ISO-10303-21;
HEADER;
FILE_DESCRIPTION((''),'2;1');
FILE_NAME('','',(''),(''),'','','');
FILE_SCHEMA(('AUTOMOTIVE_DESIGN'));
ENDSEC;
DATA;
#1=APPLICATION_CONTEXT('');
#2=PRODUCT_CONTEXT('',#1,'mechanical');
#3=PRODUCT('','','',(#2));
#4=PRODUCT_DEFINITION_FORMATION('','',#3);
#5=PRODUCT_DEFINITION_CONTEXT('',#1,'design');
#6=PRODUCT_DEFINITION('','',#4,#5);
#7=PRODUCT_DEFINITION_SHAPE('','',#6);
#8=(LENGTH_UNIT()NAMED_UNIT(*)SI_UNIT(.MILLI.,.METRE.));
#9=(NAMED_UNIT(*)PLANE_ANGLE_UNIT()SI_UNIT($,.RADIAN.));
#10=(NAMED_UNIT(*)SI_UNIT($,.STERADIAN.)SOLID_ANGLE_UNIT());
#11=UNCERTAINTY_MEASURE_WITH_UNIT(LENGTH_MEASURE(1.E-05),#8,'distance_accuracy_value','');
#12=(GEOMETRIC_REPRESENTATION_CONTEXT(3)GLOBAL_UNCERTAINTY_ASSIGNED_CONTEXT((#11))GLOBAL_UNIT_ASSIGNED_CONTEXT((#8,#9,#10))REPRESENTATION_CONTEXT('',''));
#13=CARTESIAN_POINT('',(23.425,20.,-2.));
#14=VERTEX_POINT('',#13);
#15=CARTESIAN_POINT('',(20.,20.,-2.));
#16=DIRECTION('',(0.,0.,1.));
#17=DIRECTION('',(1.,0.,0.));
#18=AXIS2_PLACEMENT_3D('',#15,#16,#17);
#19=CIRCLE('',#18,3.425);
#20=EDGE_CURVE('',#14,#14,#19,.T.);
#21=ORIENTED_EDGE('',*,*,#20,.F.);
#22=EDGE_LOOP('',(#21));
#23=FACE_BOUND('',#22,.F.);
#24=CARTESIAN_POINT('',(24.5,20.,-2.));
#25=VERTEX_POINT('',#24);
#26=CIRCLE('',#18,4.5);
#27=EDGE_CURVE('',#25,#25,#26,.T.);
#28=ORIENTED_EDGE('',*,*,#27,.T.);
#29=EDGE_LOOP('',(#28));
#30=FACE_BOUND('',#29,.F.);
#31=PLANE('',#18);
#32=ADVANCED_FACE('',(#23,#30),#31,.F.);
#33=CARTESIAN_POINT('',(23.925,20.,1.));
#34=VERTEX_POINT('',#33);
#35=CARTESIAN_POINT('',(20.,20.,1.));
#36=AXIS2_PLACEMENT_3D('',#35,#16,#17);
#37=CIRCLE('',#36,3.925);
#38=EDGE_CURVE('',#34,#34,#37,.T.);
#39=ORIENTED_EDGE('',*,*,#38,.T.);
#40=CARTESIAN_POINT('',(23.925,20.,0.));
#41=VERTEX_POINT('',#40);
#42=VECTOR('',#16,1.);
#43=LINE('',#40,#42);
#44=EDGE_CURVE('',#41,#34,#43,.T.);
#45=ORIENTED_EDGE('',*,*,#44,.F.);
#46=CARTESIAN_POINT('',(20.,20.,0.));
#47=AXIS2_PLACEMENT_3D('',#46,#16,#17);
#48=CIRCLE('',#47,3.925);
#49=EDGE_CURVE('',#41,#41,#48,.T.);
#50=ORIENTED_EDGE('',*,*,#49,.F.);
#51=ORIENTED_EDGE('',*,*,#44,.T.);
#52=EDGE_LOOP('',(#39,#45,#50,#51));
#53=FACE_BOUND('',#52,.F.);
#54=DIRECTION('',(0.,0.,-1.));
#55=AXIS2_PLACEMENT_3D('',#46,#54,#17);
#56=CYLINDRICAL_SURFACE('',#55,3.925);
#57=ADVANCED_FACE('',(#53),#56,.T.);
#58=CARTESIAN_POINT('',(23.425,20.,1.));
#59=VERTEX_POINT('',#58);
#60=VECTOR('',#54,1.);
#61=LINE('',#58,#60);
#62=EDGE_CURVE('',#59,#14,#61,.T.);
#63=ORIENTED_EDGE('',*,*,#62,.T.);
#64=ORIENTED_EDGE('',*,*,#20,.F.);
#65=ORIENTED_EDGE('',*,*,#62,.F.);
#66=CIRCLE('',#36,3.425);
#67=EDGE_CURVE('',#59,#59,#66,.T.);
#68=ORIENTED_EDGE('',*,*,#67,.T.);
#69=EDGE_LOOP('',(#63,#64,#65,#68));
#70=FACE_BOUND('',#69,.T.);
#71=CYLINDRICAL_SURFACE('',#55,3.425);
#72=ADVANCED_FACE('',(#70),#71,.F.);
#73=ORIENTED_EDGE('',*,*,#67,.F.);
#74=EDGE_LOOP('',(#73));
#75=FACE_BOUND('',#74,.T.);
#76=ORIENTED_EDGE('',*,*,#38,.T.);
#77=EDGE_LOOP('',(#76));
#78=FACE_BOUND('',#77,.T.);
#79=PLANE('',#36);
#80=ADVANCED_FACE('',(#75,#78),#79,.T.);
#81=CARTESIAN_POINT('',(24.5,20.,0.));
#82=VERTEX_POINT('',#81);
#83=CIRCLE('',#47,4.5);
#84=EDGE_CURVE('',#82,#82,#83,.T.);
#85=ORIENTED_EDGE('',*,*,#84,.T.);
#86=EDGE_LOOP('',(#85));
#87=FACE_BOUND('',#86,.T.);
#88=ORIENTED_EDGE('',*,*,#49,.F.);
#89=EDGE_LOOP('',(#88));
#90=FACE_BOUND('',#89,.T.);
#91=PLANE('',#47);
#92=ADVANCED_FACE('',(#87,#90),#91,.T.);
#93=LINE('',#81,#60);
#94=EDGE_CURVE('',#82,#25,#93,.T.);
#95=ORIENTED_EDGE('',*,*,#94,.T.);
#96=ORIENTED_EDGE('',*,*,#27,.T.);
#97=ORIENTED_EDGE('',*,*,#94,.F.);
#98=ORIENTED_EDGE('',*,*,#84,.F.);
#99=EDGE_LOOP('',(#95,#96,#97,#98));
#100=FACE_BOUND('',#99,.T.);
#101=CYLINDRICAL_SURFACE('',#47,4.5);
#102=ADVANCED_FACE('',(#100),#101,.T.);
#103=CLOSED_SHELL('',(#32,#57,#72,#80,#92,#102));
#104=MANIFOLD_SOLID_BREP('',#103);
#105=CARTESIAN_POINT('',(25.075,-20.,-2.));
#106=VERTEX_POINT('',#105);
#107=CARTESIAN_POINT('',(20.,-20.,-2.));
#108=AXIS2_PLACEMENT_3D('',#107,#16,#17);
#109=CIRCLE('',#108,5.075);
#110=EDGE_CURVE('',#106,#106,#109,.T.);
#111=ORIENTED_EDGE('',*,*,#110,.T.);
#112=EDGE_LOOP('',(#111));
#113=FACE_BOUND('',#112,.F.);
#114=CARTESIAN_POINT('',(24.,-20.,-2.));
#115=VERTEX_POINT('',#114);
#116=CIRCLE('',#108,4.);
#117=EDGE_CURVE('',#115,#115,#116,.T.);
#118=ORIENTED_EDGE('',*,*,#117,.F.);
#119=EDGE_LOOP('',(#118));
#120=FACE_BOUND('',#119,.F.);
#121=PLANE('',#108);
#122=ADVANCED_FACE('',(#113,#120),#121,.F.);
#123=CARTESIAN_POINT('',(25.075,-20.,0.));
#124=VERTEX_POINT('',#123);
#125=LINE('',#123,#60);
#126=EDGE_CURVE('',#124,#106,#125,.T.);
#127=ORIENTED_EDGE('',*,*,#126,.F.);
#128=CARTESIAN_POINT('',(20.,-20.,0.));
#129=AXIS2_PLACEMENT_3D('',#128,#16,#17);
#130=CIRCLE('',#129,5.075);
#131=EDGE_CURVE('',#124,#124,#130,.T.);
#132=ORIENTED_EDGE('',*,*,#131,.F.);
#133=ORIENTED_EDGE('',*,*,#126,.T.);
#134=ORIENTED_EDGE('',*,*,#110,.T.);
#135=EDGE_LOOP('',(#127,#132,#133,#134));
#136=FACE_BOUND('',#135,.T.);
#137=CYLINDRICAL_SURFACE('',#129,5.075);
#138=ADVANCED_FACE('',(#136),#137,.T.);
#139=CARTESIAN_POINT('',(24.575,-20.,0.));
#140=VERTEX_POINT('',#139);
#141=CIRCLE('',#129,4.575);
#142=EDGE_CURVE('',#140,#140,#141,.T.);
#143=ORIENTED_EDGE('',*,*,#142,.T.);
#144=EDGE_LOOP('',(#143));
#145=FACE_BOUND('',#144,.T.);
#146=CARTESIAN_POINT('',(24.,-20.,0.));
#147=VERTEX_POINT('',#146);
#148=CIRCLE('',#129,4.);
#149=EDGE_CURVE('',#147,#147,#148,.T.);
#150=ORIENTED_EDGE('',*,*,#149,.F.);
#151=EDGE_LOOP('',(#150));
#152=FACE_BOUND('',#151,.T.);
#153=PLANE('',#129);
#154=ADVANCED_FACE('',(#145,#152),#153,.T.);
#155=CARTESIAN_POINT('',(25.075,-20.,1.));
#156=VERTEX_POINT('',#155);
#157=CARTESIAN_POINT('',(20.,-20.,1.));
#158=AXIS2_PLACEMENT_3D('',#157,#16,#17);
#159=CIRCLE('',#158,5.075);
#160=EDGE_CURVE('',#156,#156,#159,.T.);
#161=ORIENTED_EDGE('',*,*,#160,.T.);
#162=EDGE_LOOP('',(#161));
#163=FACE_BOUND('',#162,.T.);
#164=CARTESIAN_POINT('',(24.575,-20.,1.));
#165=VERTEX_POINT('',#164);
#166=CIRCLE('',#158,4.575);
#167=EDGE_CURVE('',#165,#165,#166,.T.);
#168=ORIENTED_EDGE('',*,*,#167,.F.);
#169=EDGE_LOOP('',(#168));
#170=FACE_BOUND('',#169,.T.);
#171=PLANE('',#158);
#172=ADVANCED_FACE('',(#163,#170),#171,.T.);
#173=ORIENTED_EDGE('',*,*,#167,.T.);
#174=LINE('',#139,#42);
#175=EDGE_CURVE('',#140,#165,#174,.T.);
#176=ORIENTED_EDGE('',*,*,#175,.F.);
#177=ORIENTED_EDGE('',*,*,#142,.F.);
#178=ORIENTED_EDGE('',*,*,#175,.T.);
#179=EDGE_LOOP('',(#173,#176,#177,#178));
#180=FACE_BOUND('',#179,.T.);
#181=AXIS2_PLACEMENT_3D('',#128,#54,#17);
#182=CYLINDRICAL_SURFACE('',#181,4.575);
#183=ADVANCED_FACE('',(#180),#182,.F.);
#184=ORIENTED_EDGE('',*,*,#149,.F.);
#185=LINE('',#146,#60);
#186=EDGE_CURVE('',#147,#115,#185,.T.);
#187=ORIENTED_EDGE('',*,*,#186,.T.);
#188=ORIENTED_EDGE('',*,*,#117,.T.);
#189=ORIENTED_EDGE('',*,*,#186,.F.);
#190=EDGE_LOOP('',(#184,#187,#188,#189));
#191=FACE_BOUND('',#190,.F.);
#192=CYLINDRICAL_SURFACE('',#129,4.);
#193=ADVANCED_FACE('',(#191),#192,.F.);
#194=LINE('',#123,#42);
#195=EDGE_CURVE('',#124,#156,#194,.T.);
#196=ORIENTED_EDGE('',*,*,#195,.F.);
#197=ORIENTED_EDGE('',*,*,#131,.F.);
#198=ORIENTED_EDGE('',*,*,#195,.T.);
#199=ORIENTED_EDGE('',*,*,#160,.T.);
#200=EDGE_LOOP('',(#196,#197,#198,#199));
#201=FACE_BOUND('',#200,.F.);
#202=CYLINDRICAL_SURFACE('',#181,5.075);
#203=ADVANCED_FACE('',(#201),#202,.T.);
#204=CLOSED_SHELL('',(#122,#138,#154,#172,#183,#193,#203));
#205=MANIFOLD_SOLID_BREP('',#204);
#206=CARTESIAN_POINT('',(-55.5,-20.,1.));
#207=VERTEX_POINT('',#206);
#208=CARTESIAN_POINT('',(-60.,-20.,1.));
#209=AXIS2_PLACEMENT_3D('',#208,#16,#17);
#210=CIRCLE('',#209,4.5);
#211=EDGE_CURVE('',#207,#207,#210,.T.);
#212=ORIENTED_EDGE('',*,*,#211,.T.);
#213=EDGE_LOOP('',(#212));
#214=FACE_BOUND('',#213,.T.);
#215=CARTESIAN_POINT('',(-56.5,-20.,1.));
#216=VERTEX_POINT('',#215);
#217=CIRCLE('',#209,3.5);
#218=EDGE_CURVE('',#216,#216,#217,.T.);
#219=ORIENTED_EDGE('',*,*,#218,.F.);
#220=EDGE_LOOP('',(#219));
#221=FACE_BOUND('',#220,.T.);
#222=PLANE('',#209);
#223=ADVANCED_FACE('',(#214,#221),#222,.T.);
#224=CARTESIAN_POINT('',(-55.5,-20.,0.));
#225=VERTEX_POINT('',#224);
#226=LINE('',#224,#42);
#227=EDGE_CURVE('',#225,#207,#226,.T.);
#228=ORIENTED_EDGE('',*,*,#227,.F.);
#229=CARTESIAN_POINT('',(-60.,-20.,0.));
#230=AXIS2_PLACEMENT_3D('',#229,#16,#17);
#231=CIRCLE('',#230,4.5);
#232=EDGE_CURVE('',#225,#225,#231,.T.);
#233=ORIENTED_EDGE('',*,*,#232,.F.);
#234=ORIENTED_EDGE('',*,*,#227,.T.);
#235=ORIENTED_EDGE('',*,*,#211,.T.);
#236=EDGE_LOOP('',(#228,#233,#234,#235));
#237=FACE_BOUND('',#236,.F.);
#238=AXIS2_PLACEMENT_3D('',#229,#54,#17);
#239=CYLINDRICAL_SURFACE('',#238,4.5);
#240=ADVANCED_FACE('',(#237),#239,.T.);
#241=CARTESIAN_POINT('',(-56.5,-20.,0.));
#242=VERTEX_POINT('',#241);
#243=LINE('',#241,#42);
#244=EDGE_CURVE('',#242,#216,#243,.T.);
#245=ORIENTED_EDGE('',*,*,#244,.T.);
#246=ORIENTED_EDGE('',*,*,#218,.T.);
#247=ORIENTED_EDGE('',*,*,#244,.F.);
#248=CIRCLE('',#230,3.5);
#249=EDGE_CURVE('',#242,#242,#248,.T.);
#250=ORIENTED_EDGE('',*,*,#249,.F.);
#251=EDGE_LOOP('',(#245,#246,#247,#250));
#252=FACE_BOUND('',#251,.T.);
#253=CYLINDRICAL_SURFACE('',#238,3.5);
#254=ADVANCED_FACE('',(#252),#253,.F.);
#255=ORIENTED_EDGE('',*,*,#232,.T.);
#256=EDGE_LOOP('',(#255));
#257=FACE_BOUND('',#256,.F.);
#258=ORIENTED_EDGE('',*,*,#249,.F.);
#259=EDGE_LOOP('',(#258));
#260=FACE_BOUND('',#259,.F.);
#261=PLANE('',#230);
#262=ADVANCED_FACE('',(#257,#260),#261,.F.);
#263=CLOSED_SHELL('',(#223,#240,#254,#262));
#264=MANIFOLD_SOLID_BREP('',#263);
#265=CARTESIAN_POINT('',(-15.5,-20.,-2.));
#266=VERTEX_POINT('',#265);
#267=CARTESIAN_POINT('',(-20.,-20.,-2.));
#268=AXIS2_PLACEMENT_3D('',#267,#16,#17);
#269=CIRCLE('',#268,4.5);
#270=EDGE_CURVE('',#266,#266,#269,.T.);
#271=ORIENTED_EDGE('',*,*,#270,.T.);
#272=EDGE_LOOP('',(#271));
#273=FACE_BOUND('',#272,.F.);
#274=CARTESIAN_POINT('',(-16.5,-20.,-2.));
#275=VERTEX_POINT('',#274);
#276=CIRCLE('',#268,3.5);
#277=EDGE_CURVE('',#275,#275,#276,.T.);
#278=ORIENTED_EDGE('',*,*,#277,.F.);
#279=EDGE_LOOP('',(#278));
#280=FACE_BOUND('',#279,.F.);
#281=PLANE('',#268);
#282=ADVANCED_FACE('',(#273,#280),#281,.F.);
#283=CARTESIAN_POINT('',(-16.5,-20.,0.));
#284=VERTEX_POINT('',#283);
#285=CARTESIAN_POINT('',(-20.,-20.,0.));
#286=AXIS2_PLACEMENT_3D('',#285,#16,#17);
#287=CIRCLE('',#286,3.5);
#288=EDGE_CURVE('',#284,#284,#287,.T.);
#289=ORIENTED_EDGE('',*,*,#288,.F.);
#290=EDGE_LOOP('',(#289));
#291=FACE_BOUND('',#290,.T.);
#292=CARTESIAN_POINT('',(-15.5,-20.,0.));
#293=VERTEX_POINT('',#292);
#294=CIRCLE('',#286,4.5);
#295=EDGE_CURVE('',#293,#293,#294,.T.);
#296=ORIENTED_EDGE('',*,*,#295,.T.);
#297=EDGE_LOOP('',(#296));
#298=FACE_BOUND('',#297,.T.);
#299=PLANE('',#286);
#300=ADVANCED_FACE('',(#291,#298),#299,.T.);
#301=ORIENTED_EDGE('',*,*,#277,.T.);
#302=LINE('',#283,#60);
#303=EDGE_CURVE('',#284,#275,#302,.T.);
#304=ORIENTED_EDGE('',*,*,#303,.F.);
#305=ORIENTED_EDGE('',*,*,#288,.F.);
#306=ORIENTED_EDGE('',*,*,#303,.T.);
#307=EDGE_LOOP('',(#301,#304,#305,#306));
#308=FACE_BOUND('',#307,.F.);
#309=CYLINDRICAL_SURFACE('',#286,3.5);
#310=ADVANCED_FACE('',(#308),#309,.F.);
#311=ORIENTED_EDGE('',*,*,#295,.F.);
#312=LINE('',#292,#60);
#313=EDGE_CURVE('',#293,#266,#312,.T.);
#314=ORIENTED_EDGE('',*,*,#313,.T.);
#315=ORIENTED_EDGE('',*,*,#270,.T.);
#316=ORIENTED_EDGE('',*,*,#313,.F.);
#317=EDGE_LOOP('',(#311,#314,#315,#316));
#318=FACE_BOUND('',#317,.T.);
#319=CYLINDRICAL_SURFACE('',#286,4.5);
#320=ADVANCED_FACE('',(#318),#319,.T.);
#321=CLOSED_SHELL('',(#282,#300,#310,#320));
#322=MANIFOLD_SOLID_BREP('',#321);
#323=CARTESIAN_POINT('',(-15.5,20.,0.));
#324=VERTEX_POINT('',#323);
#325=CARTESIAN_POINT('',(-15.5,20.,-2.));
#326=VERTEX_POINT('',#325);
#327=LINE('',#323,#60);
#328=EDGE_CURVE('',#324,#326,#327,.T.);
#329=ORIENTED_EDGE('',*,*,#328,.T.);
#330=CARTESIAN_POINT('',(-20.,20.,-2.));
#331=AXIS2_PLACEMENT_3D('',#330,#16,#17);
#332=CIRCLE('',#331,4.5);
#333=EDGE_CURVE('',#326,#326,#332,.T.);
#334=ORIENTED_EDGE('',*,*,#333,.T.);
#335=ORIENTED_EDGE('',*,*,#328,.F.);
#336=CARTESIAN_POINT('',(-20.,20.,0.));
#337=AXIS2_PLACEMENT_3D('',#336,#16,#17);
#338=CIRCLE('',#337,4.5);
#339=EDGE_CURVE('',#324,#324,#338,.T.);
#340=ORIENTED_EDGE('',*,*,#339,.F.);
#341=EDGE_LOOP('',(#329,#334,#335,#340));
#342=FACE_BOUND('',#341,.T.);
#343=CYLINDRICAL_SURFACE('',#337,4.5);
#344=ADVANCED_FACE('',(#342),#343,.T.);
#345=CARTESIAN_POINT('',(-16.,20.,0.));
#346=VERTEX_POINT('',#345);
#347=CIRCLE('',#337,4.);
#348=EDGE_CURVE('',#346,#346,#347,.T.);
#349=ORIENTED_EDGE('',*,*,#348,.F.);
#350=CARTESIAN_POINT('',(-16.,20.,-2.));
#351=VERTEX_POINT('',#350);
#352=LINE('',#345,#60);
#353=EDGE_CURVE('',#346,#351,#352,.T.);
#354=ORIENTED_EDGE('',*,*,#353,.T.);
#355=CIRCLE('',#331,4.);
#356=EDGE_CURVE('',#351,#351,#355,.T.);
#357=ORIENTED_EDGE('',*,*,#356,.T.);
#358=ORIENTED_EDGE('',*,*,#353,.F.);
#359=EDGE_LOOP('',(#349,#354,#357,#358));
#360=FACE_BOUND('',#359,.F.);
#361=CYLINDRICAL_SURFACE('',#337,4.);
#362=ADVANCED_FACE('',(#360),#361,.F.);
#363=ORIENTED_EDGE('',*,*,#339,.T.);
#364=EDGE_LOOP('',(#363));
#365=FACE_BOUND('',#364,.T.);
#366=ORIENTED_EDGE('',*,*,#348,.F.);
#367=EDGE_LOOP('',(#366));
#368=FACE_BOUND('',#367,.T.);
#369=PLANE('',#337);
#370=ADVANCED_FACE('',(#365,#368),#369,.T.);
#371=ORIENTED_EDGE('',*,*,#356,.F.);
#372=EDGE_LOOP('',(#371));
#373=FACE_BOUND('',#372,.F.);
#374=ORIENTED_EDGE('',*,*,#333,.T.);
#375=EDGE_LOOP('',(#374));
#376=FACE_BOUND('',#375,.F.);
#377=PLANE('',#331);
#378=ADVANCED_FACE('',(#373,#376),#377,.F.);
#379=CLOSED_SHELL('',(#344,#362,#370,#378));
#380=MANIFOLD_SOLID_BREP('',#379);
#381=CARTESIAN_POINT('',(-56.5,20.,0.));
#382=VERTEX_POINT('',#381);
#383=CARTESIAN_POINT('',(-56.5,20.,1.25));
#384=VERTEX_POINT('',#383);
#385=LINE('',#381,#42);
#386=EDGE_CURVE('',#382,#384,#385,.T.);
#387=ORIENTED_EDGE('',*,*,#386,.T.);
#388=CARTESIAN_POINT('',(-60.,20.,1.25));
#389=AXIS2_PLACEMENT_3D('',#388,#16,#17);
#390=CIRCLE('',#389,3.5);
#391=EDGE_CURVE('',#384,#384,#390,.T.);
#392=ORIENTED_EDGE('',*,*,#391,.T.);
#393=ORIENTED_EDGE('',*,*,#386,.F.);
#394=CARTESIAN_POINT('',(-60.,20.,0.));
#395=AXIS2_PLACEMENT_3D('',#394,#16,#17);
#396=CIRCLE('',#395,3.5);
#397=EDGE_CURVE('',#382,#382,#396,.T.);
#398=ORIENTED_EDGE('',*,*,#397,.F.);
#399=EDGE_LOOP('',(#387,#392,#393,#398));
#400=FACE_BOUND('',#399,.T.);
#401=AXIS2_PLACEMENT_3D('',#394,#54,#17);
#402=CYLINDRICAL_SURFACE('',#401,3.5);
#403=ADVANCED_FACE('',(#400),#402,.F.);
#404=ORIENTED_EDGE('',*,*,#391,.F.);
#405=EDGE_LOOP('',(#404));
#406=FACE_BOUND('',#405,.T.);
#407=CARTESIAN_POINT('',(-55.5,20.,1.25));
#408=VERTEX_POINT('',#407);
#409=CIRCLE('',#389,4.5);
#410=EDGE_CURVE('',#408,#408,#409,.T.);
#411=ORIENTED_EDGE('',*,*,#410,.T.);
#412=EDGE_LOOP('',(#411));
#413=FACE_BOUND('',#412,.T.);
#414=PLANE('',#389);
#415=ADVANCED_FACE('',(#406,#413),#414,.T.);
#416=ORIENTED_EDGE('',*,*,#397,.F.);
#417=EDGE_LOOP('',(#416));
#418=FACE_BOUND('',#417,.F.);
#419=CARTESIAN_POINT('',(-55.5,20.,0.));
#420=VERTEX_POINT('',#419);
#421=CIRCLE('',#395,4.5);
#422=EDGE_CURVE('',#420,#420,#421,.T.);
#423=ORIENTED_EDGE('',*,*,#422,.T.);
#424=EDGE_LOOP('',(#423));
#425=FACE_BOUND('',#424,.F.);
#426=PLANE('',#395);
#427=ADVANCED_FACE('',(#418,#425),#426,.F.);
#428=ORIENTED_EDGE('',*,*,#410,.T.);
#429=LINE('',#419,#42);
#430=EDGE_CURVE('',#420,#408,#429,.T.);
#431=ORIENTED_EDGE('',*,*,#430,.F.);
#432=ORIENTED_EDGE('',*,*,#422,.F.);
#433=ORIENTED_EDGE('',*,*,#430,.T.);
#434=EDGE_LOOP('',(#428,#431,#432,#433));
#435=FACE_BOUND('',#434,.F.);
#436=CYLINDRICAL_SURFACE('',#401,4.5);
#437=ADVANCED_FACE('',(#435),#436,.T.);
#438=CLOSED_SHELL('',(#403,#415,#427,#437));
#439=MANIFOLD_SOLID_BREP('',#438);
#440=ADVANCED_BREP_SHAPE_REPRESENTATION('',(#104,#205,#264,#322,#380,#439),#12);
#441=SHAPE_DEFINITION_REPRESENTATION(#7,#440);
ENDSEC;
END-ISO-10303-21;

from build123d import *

# Parameters (mm, degrees)
F0_R     = 4.5
F0_R_2   = 4
F1_DEPTH = 2
F0_R_3   = 3.5
F0_R_4   = 5.075
F0_R_5   = 4.575
F0_R_6   = 3.925
F0_R_7   = 3.425
F2_DEPTH = 1
F3_DEPTH = 1.25
F4_DEPTH = 1


with BuildPart() as f1:
    # F0 (on Top) → F1 (new body)
    with BuildSketch(Plane.XY):
        with Locations((-20, 20)):
            Circle(F0_R)
        with Locations((-20, 20)):
            Circle(F0_R_2, mode=Mode.SUBTRACT)
    extrude(amount=-F1_DEPTH)


with BuildPart() as f1b:
    # F0 (on Top) → F1, piece 2 (new body)
    with BuildSketch(Plane.XY):
        with Locations((-20, -20)):
            Circle(F0_R)
        with Locations((-20, -20)):
            Circle(F0_R_3, mode=Mode.SUBTRACT)
    extrude(amount=-F1_DEPTH)


with BuildPart() as f1c:
    # F0 (on Top) → F1, piece 3 (new body)
    with BuildSketch(Plane.XY):
        with Locations((20, -20)):
            Circle(F0_R_4)
        with Locations((20, -20)):
            Circle(F0_R_5, mode=Mode.SUBTRACT)
        with Locations((20, -20)):
            Circle(F0_R_5)
        with Locations((20, -20)):
            Circle(F0_R_2, mode=Mode.SUBTRACT)
    extrude(amount=-F1_DEPTH)

    # F0 (on Top) → F2, piece 2 (join)
    with BuildSketch(Plane.XY):
        with Locations((20, -20)):
            Circle(F0_R_4)
        with Locations((20, -20)):
            Circle(F0_R_5, mode=Mode.SUBTRACT)
    extrude(amount=F2_DEPTH)


with BuildPart() as f1d:
    # F0 (on Top) → F1, piece 4 (new body)
    with BuildSketch(Plane.XY):
        with Locations((20, 20)):
            Circle(F0_R)
        with Locations((20, 20)):
            Circle(F0_R_6, mode=Mode.SUBTRACT)
        with Locations((20, 20)):
            Circle(F0_R_6)
        with Locations((20, 20)):
            Circle(F0_R_7, mode=Mode.SUBTRACT)
    extrude(amount=-F1_DEPTH)

    # F0 (on Top) → F2 (join)
    with BuildSketch(Plane.XY):
        with Locations((20, 20)):
            Circle(F0_R_6)
        with Locations((20, 20)):
            Circle(F0_R_7, mode=Mode.SUBTRACT)
    extrude(amount=F2_DEPTH)


with BuildPart() as f3:
    # F0 (on Top) → F3 (new body)
    with BuildSketch(Plane.XY):
        with Locations((-60, 20)):
            Circle(F0_R)
        with Locations((-60, 20)):
            Circle(F0_R_3, mode=Mode.SUBTRACT)
    extrude(amount=F3_DEPTH)


with BuildPart() as f4:
    # F0 (on Top) → F4 (new body)
    with BuildSketch(Plane.XY):
        with Locations((-60, -20)):
            Circle(F0_R)
        with Locations((-60, -20)):
            Circle(F0_R_3, mode=Mode.SUBTRACT)
    extrude(amount=F4_DEPTH)


solid = Compound([f1.part, f1b.part, f1c.part, f1d.part, f3.part, f4.part])
